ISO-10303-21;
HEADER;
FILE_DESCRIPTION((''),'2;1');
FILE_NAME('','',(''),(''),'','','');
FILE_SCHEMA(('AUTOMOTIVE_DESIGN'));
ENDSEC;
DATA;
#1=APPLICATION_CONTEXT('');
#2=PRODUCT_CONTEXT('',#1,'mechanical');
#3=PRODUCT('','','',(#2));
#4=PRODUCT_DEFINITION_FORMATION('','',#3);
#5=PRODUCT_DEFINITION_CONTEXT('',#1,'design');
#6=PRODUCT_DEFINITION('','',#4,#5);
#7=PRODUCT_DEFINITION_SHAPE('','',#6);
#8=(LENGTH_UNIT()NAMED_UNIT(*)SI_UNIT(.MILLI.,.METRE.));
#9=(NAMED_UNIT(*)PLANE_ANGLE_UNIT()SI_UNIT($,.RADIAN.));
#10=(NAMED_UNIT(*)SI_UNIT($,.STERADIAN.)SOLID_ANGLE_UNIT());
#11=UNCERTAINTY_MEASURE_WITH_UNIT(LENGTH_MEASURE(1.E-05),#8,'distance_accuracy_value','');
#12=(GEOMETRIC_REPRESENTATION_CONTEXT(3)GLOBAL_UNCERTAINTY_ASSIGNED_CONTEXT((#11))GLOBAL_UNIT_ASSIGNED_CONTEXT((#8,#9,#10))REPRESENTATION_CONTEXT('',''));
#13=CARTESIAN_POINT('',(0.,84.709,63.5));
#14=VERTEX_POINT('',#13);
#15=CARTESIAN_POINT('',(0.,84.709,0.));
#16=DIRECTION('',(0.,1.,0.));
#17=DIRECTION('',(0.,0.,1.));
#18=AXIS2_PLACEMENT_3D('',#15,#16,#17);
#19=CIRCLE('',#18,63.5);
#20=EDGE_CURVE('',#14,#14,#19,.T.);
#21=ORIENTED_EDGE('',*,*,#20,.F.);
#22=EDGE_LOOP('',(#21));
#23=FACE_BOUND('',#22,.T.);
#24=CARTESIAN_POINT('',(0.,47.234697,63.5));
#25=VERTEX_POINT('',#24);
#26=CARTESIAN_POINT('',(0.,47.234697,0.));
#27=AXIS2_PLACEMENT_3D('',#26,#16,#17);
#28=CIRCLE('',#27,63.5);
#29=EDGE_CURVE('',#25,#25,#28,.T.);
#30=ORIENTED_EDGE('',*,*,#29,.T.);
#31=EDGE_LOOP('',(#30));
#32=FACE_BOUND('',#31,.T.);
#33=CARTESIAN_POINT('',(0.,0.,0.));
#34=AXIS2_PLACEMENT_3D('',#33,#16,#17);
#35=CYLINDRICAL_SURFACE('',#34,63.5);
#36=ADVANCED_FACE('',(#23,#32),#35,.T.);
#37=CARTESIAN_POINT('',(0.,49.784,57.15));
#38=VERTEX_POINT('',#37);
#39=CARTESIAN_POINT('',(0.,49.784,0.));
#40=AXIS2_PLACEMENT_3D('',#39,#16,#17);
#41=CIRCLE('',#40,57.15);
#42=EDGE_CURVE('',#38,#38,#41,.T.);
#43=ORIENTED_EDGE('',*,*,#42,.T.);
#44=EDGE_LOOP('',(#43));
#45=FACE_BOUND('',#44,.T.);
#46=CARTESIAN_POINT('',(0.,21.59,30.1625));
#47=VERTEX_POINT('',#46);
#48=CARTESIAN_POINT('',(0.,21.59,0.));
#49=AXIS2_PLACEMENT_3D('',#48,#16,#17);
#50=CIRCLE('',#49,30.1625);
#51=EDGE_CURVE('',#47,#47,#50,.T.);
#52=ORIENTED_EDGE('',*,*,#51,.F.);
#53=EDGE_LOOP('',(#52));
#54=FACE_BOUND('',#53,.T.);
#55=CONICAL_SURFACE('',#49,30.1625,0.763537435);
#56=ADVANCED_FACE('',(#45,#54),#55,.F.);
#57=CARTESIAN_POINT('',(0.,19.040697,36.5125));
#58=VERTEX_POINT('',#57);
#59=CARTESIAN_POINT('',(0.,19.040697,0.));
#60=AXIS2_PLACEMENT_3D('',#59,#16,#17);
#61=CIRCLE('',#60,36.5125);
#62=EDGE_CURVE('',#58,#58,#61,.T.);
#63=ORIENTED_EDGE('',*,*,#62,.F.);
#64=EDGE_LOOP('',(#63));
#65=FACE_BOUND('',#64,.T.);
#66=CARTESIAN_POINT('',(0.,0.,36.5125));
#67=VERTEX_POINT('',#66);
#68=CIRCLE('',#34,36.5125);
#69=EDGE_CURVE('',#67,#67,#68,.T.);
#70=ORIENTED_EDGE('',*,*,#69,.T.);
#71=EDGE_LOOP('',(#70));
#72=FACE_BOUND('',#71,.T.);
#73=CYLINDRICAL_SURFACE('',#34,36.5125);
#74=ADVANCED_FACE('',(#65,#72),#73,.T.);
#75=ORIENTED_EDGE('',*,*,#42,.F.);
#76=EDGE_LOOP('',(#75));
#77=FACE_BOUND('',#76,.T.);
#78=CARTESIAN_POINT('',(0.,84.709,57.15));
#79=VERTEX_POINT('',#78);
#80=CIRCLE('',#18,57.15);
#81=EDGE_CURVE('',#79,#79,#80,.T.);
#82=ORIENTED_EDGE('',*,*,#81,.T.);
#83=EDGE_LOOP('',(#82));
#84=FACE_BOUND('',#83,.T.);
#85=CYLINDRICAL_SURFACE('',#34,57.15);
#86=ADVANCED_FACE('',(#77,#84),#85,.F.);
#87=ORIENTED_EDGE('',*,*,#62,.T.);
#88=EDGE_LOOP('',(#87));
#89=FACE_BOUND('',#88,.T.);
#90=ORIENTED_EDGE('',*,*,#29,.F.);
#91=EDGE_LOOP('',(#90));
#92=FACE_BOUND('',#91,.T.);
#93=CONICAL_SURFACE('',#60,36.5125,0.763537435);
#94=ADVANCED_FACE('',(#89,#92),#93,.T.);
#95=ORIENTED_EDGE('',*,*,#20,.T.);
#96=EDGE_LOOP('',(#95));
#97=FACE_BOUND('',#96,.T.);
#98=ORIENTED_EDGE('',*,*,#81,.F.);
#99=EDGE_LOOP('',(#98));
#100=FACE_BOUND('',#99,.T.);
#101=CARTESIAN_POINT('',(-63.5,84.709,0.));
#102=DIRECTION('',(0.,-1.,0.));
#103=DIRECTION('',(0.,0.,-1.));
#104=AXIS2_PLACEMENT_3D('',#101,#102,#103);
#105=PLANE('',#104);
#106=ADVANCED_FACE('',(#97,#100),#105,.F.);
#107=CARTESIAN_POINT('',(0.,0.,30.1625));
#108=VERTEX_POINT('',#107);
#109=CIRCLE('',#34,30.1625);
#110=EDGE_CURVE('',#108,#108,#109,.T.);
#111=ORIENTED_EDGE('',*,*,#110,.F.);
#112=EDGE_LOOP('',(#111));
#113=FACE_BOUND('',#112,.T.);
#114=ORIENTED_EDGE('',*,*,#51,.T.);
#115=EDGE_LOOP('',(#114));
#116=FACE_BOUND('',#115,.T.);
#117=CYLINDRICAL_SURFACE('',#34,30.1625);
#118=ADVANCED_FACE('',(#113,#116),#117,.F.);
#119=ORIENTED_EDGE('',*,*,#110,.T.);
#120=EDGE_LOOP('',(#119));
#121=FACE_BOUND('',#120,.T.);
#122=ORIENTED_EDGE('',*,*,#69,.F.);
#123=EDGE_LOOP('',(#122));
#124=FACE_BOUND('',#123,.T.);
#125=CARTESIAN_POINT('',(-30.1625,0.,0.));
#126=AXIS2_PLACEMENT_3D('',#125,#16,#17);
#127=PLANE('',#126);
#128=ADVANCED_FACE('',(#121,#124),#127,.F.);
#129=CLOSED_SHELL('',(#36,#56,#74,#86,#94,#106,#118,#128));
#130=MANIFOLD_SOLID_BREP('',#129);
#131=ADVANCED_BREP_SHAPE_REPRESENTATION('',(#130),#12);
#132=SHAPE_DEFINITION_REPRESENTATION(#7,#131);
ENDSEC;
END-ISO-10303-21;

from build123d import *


with BuildPart() as part:
    # Sketch1 → Revolve-Thin1 (revolve)
    with BuildSketch(Plane.XY):
        Polygon((-30.1625, 0), (-30.1625, 21.59), (-57.15, 49.784), (-57.15, 84.709), (-63.5, 84.709), (-63.5, 47.234696899), (-36.5125, 19.040696899), (-36.5125, 0), align=None)
    revolve(axis=Axis((0, 0, 0), (0, -1, 0)))


solid = part.part
